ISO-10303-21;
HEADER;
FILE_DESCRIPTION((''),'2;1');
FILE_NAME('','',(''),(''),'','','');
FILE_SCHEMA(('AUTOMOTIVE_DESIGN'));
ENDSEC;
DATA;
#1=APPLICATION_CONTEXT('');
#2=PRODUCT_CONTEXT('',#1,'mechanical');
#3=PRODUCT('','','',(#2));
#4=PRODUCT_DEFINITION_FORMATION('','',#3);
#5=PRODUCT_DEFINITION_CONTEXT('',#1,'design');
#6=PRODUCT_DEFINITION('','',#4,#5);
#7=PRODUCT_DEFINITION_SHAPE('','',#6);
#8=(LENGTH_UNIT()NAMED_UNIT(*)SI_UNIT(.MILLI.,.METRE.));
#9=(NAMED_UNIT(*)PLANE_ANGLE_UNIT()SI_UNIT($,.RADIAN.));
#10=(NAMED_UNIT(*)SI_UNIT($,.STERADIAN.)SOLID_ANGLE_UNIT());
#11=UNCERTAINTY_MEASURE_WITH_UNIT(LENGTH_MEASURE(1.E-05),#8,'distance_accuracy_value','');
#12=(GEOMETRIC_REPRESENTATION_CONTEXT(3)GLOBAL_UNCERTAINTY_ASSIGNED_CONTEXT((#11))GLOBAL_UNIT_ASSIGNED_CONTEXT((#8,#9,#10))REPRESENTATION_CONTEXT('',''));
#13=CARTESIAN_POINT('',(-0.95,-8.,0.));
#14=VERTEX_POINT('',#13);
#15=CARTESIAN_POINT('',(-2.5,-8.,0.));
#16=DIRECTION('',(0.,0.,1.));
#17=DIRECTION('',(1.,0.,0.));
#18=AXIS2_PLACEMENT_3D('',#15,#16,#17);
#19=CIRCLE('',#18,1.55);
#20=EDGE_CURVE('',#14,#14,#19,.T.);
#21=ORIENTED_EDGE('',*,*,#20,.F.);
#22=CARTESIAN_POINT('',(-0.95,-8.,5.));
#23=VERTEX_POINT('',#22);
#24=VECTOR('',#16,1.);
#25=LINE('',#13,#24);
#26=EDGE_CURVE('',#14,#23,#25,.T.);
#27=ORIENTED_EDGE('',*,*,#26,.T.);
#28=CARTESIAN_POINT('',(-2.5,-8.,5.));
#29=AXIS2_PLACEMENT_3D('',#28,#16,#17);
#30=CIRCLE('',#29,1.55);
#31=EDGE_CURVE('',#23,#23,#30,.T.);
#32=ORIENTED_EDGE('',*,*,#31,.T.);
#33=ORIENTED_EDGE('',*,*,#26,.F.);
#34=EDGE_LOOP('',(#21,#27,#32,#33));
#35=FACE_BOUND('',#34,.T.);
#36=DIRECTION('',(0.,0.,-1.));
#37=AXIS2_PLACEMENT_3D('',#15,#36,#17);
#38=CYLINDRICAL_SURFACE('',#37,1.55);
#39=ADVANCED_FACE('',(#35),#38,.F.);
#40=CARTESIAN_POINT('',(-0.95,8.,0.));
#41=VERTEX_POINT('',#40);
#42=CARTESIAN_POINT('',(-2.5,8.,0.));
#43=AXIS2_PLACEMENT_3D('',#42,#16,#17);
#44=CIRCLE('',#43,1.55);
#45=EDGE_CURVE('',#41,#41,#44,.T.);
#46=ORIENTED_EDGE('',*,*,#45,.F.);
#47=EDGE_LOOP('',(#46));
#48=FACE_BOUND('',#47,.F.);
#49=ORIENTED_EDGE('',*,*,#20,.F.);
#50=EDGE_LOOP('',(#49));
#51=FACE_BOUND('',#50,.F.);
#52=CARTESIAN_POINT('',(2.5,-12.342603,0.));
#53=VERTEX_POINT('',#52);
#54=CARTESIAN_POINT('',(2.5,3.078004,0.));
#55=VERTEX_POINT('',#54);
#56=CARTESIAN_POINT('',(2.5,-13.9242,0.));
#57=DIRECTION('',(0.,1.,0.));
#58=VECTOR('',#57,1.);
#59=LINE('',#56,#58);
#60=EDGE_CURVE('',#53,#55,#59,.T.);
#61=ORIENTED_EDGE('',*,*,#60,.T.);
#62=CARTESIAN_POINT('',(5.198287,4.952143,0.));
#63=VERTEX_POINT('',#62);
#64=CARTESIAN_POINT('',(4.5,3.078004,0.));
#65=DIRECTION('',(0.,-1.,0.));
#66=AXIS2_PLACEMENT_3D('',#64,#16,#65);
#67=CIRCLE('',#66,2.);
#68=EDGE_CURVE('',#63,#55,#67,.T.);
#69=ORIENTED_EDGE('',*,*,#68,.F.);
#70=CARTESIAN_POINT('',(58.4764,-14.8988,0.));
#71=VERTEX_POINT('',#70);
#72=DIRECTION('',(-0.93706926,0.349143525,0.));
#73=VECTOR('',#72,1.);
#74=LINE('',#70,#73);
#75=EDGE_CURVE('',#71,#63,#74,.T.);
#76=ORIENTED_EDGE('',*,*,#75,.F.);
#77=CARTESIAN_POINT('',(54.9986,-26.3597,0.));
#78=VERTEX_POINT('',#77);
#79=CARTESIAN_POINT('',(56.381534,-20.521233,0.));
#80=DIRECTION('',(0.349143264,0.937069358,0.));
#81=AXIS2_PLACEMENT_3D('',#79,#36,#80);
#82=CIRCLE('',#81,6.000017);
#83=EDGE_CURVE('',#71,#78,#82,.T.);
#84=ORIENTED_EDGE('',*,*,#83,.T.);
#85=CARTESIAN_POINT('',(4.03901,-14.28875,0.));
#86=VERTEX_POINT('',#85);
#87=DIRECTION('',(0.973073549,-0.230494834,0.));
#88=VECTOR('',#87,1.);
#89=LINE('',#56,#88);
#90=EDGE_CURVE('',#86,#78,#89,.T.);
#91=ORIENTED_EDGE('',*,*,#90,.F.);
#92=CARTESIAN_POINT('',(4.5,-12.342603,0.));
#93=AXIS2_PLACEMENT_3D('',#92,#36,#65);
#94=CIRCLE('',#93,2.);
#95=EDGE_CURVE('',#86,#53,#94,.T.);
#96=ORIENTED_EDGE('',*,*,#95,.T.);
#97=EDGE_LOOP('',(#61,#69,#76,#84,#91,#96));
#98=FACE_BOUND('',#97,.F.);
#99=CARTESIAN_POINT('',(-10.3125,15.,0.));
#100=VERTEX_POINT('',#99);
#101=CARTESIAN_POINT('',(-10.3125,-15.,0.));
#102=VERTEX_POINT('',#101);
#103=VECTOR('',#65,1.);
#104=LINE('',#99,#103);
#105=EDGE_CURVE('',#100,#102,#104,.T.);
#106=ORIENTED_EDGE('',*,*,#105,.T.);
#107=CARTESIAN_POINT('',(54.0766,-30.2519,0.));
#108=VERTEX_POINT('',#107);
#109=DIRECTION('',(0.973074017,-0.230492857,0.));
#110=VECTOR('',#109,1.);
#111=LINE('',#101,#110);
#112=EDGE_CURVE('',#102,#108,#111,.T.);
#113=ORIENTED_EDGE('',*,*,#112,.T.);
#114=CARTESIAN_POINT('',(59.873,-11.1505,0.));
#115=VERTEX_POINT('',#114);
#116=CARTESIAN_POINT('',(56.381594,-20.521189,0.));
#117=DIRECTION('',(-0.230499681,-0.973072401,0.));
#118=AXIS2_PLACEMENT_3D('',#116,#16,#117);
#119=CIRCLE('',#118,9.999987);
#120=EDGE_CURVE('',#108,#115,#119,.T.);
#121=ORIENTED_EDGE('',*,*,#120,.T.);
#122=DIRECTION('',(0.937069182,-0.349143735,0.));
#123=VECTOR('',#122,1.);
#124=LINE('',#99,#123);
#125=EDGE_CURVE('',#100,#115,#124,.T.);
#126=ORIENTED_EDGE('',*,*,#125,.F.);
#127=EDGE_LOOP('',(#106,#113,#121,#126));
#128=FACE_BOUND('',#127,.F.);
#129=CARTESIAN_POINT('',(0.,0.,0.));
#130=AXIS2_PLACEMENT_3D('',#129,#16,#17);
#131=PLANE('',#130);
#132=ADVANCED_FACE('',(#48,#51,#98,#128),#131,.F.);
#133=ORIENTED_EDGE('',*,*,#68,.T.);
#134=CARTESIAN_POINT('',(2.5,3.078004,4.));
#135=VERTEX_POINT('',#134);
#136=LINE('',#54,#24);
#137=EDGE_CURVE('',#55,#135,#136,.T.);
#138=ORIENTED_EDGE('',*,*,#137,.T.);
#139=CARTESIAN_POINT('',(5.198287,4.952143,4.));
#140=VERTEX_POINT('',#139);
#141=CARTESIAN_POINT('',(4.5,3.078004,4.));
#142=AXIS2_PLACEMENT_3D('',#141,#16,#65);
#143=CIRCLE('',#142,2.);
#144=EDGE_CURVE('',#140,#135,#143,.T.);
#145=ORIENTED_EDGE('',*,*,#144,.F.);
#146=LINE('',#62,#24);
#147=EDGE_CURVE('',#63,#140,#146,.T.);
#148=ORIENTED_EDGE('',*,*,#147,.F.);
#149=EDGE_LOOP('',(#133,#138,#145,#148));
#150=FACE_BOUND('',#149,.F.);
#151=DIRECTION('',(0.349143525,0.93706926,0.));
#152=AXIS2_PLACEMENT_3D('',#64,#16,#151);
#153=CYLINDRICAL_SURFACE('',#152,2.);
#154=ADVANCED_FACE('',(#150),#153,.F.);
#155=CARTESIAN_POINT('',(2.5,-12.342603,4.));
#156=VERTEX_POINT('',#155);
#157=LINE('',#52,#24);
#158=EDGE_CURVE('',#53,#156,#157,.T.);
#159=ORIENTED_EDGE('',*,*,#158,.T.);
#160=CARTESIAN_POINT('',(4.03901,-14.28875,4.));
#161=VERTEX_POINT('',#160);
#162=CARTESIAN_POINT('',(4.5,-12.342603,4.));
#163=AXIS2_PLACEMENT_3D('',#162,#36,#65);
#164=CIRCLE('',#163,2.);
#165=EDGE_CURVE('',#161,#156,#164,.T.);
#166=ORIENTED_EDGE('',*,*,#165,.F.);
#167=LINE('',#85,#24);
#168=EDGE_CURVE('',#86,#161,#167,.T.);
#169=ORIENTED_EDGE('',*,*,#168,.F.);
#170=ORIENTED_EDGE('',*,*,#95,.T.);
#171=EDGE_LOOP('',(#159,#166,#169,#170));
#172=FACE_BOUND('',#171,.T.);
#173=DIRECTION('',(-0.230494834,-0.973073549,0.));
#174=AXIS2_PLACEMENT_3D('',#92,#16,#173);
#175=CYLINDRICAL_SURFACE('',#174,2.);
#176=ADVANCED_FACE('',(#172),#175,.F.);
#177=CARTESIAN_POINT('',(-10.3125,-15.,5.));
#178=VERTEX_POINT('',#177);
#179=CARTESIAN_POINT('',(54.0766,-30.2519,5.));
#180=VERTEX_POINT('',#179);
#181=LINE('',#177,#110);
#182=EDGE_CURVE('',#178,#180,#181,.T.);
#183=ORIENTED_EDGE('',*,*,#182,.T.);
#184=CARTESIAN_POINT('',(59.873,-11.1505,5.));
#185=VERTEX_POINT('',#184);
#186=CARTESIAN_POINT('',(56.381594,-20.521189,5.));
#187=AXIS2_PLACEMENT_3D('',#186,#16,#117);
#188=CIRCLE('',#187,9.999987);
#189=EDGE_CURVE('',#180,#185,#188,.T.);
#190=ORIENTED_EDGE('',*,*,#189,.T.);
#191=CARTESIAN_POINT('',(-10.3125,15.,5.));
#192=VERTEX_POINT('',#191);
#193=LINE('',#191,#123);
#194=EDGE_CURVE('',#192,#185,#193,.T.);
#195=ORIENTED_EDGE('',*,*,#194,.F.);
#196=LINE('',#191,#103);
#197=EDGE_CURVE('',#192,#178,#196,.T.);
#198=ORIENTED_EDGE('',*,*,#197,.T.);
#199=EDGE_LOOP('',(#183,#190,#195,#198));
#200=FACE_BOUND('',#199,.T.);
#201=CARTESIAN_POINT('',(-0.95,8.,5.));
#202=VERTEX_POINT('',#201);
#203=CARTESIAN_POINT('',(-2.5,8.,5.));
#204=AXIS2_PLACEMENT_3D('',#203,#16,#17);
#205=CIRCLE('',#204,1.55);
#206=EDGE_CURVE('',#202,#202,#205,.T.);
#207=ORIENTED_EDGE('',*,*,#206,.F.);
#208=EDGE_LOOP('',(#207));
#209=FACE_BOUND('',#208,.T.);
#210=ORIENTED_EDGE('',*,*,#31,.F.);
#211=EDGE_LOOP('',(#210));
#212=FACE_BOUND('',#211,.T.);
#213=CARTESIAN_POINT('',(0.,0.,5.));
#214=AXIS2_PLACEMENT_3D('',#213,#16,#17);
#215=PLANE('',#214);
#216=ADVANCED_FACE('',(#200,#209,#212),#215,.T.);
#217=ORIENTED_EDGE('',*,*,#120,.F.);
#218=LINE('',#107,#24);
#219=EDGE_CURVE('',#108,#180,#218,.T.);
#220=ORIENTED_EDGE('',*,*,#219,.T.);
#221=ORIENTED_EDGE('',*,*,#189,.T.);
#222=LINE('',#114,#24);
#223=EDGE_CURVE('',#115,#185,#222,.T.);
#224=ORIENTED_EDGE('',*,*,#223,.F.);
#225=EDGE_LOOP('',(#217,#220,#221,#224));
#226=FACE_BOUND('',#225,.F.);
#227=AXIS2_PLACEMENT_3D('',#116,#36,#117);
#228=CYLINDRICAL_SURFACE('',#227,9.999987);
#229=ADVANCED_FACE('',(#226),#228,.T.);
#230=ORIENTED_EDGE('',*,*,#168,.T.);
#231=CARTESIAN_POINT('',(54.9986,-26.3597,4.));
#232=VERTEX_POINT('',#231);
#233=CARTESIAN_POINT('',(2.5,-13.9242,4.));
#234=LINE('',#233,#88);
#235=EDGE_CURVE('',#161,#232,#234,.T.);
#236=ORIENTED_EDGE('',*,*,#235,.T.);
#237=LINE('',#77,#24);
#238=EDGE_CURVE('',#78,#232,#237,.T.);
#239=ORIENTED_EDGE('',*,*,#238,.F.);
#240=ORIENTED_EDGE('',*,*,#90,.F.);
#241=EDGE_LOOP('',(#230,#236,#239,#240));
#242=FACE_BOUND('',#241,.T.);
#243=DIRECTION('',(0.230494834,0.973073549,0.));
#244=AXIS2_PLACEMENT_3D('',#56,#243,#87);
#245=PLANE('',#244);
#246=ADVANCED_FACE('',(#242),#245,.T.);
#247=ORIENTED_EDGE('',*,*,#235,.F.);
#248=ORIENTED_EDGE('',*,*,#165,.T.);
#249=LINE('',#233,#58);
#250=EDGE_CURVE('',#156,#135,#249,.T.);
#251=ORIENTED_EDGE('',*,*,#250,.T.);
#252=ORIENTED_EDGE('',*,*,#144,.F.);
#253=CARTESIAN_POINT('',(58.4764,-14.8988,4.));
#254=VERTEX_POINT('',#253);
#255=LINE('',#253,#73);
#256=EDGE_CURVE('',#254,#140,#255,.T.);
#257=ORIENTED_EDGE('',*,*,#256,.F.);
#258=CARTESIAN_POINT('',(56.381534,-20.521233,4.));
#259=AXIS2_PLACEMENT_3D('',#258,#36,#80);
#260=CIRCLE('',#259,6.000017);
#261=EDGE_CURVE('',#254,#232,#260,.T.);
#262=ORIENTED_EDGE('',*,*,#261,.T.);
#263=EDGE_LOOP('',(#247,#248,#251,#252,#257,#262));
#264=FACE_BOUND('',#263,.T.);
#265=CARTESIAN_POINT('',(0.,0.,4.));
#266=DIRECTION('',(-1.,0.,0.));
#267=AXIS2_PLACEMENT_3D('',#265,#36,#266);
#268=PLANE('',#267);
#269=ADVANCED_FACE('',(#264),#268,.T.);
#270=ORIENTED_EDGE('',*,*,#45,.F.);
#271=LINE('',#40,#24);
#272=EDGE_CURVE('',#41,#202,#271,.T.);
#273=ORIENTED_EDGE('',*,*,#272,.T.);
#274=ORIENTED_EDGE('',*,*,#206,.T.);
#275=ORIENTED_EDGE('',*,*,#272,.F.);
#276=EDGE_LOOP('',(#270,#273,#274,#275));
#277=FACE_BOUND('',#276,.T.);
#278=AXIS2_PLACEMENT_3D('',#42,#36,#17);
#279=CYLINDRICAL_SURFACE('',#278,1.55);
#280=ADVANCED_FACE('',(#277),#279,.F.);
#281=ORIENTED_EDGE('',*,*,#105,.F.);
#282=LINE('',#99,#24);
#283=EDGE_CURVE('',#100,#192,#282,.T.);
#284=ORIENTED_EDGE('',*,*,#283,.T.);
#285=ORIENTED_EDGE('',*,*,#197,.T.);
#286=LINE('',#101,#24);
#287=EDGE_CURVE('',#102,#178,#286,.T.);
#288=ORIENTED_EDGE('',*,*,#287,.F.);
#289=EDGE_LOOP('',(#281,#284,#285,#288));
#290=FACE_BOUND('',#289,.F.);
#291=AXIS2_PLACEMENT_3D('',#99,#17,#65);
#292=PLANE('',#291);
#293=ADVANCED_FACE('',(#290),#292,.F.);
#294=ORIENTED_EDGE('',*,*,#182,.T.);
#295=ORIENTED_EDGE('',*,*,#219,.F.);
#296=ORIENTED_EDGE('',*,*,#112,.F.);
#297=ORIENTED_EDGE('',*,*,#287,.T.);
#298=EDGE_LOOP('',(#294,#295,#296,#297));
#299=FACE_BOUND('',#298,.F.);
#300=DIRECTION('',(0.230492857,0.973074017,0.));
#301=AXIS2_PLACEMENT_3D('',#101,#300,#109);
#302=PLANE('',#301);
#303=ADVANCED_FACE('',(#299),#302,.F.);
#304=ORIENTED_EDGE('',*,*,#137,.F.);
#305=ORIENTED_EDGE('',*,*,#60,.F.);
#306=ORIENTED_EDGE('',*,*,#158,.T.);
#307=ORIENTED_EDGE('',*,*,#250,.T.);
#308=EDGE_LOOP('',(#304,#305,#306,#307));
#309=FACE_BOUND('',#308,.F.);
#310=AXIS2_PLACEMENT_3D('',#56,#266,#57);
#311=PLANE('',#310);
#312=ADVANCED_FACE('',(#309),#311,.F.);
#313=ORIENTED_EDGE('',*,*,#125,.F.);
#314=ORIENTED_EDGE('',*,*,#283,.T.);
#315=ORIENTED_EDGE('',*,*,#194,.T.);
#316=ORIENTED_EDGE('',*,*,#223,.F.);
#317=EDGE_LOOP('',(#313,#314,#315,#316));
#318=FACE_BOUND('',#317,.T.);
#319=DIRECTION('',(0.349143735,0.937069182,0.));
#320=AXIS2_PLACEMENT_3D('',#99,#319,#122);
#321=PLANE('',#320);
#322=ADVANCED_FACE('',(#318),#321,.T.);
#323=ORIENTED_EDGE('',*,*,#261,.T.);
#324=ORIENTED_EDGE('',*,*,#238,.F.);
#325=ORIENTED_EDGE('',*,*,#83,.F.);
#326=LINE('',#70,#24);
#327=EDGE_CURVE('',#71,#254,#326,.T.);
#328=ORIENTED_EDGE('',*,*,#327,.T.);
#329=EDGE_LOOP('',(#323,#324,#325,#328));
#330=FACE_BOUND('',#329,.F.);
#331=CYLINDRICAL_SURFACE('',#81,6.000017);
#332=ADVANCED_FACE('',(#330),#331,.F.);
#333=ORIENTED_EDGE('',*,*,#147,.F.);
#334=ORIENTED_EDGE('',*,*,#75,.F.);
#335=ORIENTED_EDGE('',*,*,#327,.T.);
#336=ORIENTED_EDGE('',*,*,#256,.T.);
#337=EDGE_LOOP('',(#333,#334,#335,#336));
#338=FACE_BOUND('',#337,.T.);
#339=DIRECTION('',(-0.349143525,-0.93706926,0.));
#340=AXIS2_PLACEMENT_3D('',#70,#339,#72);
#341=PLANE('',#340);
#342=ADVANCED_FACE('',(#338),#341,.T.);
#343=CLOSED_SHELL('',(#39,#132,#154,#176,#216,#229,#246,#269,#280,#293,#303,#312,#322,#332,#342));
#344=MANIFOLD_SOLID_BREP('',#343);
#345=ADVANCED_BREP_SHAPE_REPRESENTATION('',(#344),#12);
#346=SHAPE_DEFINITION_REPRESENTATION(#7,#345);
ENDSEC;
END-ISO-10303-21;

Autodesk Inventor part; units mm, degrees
ref_plane "YZ Plane" through (0, 0, 0) normal (1, 0, 0) x (0, 1, 0)
ref_plane "XZ Plane" through (0, 0, 0) normal (0, 1, 0) x (-1, 0, 0)
ref_plane "XY Plane" through (0, 0, 0) normal (0, 0, 1) x (1, 0, 0)
sketch "スケッチ1" plane through (0, 0, 0) normal (0, 0, 1) x (1, 0, 0)
  line L0 (-10.3125, 15) -> (-10.3125, -15)
  line L1 (-10.3125, -15) -> (0, -9.5)
  line L2 (0, -9.5) -> (0, 9.5)
  line L3 (0, 9.5) -> (-10.3125, 15)
  circle A0 centre (-2.5, 8) radius 1.55
  circle A1 centre (-2.5, -8) radius 1.55
  circle A2 centre (-2.5, 8) radius 2.5 construction
  circle A3 centre (-2.5, -8) radius 2.5 construction
  line L4 (-2.5, 8) -> (-2.5, -8) construction
  line L5 (-10.3125, 15) -> (59.873, -11.1505)
  line L6 (-10.3125, -15) -> (54.0766, -30.2519)
  arc A4 (54.0766, -30.2519) -> (59.873, -11.1505) centre (56.3816, -20.5212) ccw
  line L7 (56.3816, -20.5212) -> (0, 0) construction
  point P0 (-2.5, 0)
  dimension "d5" = 19
  dimension "d8" = 30
  dimension "d10" = 5
  dimension "d20" = 16
  dimension "d33" = 3.1
  dimension "d35" = 10
  dimension "d41" = 70
  dimension "d43" = 60
extrude "押し出し1" add sketch "スケッチ1" along normal blind 5
sketch "スケッチ4" plane through (0, 0, 0) normal (0, 0, -1) x (-1, 0, 0)
  circle A0 centre (2.5, 8) radius 1.55 projected
  line L0 (-59.873, -11.1505) -> (10.3125, 15) projected
  arc A1 (-59.873, -11.1505) -> (-54.0766, -30.2519) centre (-56.3816, -20.5212) ccw projected
  line L1 (10.3125, -15) -> (-54.0766, -30.2519) projected
  line L2 (-2.5, -13.9242) -> (-54.9986, -26.3597)
  arc A2 (-58.4764, -14.8988) -> (-54.9986, -26.3597) centre (-56.3816, -20.5212) ccw
  line L3 (-58.4764, -14.8988) -> (-2.5, 5.9575)
  line L4 (-2.5, -13.9242) -> (-2.5, 5.9575)
  point P0 (0, 0)
  dimension "d81" = 4
  dimension "d82" = 5
extrude "押し出し4" cut sketch "スケッチ4" against normal blind 4 contours L2 A2 L3 L4
fillet "フィレット4" radius 2 2 edges at (2.5, 5.9575, 2) (2.5, -13.9242, 2)
equation "\"d5\" = d187"
equation "\"d8\" = d98"
equation "\"d10\" = d185"
equation "\"d20\" = d186"
equation "\"d185\" = 5"
equation "\"d187\" = 19"
equation "\"d98\" = 30"
equation "\"d186\" = 16"
properties part number "胴体_サブフレーム_1_6" material "アセタール樹脂、黒"
